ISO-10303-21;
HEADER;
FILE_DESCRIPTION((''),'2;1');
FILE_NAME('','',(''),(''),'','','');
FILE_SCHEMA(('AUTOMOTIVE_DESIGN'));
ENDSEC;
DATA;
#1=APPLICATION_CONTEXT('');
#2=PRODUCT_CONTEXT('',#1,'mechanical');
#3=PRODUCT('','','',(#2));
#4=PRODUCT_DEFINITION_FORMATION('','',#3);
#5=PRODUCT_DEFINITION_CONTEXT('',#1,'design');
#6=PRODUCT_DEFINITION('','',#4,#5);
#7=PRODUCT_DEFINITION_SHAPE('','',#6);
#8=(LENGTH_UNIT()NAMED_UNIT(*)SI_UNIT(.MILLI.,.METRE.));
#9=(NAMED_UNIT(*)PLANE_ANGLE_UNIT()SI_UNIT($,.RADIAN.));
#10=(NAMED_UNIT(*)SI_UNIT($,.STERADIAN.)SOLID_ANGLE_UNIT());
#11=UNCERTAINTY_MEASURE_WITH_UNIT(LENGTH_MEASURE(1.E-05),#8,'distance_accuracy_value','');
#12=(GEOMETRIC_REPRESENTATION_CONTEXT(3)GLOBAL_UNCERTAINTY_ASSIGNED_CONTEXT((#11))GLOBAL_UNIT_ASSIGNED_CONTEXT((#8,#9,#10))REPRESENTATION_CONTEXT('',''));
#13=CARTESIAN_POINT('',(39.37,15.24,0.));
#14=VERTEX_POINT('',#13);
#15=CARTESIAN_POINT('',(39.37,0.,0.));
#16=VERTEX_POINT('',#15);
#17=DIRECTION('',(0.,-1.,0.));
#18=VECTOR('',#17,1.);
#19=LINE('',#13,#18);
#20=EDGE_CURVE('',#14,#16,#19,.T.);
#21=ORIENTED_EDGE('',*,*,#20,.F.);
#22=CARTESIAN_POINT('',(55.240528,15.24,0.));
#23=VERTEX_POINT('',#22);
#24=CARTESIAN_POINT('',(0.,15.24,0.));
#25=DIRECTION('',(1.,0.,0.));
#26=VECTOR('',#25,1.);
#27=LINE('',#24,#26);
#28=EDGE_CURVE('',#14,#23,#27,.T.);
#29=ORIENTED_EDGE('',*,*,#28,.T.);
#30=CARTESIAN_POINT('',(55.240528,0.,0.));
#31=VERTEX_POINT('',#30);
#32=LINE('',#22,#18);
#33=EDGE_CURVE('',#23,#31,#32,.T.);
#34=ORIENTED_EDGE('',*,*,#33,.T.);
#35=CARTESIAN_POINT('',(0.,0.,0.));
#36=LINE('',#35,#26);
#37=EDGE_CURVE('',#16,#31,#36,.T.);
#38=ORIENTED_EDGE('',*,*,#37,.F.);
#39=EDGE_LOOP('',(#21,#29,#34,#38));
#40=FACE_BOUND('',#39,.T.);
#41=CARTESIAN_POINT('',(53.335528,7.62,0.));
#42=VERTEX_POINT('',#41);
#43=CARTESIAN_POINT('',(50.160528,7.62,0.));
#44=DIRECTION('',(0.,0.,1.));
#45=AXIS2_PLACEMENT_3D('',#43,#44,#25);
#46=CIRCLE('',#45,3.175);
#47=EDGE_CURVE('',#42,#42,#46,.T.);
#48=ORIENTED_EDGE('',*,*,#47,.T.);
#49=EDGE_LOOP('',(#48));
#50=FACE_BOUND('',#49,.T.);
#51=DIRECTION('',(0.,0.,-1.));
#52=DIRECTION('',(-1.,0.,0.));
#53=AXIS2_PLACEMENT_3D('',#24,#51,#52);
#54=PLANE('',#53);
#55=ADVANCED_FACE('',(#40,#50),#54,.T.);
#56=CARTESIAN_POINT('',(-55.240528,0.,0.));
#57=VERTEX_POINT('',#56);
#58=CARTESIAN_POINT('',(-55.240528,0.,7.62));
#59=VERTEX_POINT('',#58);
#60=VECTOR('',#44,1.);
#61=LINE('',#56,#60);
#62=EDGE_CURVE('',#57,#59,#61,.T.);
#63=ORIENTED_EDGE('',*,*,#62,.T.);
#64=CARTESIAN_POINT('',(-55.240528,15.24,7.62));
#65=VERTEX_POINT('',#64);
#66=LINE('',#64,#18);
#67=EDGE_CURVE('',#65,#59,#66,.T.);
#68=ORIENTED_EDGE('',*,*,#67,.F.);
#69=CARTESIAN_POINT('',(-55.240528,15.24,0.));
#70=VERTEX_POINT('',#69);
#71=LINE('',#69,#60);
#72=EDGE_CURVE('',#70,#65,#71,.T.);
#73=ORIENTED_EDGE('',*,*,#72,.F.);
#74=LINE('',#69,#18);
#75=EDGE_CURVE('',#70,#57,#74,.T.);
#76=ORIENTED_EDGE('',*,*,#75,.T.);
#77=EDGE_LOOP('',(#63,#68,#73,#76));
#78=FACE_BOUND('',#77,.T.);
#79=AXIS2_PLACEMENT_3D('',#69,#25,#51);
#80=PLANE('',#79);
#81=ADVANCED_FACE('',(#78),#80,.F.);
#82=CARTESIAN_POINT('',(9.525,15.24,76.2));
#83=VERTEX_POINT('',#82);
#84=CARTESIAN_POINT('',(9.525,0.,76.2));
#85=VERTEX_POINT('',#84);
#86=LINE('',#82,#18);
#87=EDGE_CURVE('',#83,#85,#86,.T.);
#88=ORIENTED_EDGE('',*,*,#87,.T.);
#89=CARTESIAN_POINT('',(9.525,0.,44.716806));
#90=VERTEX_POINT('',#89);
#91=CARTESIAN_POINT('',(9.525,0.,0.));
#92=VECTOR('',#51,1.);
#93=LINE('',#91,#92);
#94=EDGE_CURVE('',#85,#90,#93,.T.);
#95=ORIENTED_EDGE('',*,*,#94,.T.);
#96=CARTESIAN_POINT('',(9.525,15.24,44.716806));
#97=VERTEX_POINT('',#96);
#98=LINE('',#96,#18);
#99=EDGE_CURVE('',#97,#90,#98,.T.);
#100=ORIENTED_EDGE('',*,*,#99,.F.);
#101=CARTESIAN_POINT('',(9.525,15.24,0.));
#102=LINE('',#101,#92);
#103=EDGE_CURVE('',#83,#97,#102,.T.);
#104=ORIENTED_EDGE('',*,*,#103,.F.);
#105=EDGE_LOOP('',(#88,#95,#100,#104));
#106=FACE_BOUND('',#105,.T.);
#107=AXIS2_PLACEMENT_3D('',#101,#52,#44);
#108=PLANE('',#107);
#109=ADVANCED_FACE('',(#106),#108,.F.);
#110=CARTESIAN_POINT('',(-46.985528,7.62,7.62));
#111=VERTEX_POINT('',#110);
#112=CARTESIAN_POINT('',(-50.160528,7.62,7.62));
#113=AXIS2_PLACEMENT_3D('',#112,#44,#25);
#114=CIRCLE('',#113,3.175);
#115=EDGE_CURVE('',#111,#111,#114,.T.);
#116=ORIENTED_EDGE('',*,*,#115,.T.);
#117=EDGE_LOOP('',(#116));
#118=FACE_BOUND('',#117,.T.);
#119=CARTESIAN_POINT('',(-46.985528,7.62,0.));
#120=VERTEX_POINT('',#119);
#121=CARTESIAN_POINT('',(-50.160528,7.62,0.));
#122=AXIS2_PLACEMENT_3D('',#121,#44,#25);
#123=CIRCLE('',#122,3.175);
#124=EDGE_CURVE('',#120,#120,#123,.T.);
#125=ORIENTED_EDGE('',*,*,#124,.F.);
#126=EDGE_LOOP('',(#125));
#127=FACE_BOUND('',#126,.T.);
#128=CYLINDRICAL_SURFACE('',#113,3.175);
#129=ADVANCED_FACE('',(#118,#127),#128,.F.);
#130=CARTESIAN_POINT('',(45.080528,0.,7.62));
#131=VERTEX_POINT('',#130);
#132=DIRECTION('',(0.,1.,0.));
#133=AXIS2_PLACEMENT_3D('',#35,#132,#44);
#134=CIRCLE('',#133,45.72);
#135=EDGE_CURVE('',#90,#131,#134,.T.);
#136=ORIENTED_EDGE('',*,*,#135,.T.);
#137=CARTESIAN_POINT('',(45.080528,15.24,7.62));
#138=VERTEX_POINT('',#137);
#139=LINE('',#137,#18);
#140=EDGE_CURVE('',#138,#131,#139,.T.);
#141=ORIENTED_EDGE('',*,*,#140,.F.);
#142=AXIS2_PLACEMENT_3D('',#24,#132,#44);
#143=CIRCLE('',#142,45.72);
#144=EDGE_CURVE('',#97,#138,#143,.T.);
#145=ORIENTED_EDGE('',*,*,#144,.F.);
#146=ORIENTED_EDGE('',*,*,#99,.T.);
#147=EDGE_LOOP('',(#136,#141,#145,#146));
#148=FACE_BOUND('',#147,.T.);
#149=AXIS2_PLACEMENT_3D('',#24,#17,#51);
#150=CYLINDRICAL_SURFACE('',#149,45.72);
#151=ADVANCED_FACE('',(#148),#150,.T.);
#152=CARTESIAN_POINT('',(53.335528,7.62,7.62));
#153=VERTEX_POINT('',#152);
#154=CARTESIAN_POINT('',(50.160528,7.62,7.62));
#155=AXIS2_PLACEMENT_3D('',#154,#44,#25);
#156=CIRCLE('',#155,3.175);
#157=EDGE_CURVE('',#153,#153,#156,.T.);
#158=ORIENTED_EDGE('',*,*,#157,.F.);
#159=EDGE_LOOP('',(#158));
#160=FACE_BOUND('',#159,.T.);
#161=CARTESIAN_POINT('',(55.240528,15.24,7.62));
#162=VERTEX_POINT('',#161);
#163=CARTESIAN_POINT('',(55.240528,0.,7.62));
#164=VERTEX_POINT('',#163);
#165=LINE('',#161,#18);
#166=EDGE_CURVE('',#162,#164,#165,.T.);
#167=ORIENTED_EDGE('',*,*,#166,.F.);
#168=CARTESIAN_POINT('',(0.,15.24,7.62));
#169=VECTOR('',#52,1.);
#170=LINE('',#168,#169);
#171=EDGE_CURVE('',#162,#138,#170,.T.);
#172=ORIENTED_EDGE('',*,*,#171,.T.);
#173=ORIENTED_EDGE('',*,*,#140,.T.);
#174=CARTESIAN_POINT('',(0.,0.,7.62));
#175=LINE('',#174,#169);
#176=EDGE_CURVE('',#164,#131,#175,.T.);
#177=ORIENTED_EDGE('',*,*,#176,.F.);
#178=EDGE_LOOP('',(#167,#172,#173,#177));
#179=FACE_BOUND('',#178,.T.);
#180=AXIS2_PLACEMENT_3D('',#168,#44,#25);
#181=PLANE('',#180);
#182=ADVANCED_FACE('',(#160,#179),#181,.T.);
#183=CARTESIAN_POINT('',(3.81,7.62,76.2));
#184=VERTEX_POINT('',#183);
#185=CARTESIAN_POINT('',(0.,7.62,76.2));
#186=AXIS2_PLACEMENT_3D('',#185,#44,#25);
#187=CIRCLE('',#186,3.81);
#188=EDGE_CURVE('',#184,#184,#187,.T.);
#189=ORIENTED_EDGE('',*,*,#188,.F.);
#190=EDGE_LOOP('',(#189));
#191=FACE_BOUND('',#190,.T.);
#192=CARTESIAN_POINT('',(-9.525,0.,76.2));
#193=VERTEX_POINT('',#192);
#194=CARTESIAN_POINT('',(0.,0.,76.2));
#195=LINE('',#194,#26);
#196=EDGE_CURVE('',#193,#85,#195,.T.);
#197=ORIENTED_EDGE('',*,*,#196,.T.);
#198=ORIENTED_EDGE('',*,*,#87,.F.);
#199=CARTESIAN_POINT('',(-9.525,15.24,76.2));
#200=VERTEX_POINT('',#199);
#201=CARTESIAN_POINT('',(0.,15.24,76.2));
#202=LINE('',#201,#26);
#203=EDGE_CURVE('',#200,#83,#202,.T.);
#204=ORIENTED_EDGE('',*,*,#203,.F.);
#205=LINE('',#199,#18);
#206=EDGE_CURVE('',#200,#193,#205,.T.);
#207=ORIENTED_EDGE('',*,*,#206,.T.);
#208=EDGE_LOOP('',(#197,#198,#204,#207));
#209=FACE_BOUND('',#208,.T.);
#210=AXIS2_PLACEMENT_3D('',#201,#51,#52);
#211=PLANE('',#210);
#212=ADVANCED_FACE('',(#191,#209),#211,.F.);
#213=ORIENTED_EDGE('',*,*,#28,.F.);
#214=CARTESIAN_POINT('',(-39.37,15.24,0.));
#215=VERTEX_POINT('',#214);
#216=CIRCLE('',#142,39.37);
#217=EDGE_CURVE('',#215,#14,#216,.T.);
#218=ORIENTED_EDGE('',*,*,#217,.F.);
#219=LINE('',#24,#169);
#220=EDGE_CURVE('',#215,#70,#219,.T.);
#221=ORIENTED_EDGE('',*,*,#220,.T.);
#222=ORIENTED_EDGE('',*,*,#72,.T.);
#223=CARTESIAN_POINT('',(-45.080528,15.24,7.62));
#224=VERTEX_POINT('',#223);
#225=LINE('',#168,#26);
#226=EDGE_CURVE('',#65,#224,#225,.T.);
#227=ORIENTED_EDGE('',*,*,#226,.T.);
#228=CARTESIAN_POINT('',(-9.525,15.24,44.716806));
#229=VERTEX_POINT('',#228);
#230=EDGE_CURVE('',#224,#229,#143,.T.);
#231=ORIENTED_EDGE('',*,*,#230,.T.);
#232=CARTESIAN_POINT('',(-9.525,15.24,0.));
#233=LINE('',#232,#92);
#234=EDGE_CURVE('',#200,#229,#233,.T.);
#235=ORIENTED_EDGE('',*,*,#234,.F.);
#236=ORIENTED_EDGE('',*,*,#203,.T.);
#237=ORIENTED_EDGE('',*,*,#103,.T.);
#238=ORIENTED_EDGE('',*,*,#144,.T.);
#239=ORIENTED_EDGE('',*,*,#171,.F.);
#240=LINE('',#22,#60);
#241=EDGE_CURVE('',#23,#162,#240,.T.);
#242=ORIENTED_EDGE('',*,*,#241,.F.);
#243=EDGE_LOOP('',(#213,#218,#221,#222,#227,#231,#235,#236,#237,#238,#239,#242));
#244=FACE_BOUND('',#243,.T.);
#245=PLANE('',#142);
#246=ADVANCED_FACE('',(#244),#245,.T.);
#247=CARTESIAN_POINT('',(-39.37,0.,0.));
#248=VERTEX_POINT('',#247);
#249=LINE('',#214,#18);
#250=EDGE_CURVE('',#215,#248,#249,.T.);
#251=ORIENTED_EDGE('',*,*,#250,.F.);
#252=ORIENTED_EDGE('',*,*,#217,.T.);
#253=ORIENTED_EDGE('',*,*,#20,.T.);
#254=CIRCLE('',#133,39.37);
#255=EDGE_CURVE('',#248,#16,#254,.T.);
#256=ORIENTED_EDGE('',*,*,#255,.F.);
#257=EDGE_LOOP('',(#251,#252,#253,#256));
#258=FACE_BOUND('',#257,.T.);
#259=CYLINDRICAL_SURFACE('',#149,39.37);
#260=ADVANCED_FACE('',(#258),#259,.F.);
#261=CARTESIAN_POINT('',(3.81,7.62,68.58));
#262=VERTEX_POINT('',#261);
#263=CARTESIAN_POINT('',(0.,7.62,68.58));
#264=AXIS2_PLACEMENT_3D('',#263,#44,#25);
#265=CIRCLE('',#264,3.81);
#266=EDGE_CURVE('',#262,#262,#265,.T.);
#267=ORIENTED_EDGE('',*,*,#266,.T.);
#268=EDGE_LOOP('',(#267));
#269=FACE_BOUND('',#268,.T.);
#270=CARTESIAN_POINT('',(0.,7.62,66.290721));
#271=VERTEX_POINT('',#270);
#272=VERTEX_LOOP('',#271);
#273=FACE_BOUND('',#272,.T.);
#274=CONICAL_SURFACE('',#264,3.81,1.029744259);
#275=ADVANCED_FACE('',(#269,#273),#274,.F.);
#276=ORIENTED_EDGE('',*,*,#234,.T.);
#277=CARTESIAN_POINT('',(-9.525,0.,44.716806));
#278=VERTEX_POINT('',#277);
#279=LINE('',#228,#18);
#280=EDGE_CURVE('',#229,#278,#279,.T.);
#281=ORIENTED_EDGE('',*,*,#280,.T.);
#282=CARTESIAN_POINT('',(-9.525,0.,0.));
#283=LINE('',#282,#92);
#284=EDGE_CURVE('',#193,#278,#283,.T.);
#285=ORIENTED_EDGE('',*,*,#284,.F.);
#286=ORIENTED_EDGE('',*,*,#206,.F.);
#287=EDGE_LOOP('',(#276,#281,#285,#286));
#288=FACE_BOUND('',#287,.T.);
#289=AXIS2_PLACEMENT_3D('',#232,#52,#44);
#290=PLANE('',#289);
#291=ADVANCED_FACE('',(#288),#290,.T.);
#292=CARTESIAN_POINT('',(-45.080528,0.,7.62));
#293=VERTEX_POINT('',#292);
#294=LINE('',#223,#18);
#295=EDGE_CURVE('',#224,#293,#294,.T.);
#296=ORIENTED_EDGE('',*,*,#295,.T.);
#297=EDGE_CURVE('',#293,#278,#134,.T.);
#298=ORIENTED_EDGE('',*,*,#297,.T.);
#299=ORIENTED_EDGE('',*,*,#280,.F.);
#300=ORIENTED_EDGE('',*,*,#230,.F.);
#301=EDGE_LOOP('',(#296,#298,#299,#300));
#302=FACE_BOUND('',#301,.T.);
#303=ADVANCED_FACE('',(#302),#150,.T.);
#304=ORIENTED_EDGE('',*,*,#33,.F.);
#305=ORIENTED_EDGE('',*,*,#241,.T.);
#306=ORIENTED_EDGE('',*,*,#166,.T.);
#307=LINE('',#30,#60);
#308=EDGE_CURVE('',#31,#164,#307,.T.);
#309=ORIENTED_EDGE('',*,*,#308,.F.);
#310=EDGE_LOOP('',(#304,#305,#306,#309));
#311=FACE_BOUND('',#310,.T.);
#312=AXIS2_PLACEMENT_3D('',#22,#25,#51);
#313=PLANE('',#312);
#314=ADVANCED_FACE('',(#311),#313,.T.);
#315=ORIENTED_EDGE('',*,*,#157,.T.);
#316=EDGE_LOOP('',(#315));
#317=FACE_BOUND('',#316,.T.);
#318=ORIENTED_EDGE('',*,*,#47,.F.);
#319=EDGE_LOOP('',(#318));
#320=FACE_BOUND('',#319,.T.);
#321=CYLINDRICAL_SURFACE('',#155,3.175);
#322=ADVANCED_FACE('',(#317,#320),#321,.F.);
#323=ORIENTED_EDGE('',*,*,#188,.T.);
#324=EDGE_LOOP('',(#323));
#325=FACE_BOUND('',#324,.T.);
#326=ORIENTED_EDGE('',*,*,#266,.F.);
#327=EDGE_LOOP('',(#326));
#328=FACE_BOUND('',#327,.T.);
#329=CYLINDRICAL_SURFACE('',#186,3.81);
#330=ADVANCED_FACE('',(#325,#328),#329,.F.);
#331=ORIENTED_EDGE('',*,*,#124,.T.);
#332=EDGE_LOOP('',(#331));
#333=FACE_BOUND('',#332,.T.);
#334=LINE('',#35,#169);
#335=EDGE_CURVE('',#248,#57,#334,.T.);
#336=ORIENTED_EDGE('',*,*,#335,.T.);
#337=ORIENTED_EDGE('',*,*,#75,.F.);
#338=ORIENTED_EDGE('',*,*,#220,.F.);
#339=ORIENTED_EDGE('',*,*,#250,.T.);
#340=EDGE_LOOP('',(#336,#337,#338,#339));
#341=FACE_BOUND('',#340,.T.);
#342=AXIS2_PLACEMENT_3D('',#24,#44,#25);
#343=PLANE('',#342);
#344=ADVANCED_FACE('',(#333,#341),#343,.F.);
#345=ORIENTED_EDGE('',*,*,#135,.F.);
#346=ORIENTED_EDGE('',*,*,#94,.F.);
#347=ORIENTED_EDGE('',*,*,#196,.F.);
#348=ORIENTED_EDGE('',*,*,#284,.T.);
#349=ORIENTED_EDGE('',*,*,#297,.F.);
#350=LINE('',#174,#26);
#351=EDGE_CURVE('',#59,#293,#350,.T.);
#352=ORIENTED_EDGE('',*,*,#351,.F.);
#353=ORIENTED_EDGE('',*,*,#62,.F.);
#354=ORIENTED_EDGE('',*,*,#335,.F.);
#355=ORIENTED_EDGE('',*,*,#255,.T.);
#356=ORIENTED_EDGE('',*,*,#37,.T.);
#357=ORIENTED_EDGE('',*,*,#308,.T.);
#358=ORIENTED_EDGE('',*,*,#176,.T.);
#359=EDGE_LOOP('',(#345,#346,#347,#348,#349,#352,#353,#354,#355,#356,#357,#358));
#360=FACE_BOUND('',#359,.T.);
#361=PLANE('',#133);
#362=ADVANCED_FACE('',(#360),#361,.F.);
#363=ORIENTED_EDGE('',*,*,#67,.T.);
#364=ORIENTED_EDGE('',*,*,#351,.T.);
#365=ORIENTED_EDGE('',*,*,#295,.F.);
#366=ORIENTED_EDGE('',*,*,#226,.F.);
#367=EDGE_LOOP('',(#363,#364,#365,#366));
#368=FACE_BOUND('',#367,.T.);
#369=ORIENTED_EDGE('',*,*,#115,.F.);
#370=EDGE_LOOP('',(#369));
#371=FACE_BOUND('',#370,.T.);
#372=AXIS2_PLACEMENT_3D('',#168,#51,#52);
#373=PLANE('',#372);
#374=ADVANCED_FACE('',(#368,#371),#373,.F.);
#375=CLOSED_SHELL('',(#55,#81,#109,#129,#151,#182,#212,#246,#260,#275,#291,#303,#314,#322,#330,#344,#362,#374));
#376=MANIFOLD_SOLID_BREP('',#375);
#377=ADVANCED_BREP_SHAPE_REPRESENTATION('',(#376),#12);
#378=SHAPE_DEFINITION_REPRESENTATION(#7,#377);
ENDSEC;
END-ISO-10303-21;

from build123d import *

# Parameters (mm, degrees)
BOSS_EXTRUDE1_DEPTH              = 15.24
TAP_DRILL_FOR_M10X1_0_TAP1_D     = 7.62
TAP_DRILL_FOR_M10X1_0_TAP1_DEPTH = 7.62
TAP_DRILL_FOR_M10X1_0_TAP1_TIP   = 2.289278958
TAP_DRILL_FOR_M10X1_0_TAP3_D     = 6.35
TAP_DRILL_FOR_M10X1_0_TAP3_DEPTH = 7.62
TAP_DRILL_FOR_M10X1_0_TAP3_TIP   = 1.907732465


with BuildPart() as part:
    # Sketch1 → Boss-Extrude1 (new body)
    with BuildSketch(Plane(origin=(0, 0, 0), x_dir=(1, 0, 0), z_dir=(0, 1, 0))):
        with BuildLine():
            Line((-39.37, 0), (-55.240527947, 0))
            Line((-55.240527947, 0), (-55.240527947, -7.62))
            Line((-55.240527947, -7.62), (-45.080527947, -7.62))
            ThreePointArc((-45.080527947, -7.62), (-33.007335275, -31.635963998), (-9.525, -44.716806404))
            Line((-9.525, -44.716806404), (-9.525, -76.2))
            Line((-9.525, -76.2), (9.525, -76.2))
            Line((9.525, -76.2), (9.525, -44.716806404))
            ThreePointArc((9.525, -44.716806404), (33.007335275, -31.635963998), (45.080527947, -7.62))
            Line((45.080527947, -7.62), (55.240527947, -7.62))
            Line((55.240527947, -7.62), (55.240527947, 0))
            Line((55.240527947, 0), (39.37, 0))
            ThreePointArc((39.37, 0), (0, -39.37), (-39.37, 0))
        make_face()
    extrude(amount=BOSS_EXTRUDE1_DEPTH)

    # Tap Drill for M10x1.0 Tap1
    with Locations(Plane.XY.offset(76.2)):
        with Locations((0, 7.62)):
            Hole(TAP_DRILL_FOR_M10X1_0_TAP1_D / 2, depth=TAP_DRILL_FOR_M10X1_0_TAP1_DEPTH)
            with Locations((0, 0, -(TAP_DRILL_FOR_M10X1_0_TAP1_DEPTH + TAP_DRILL_FOR_M10X1_0_TAP1_TIP / 2))):  # 118° drill point
                Cone(0, TAP_DRILL_FOR_M10X1_0_TAP1_D / 2, TAP_DRILL_FOR_M10X1_0_TAP1_TIP, mode=Mode.SUBTRACT)

    # Tap Drill for M10x1.0 Tap3
    with Locations(Plane.XY.offset(7.62)):
        with Locations((-50.160527947, 7.62), (50.160527947, 7.62)):
            Hole(TAP_DRILL_FOR_M10X1_0_TAP3_D / 2, depth=TAP_DRILL_FOR_M10X1_0_TAP3_DEPTH)
            with Locations((0, 0, -(TAP_DRILL_FOR_M10X1_0_TAP3_DEPTH + TAP_DRILL_FOR_M10X1_0_TAP3_TIP / 2))):  # 118° drill point
                Cone(0, TAP_DRILL_FOR_M10X1_0_TAP3_D / 2, TAP_DRILL_FOR_M10X1_0_TAP3_TIP, mode=Mode.SUBTRACT)


solid = part.part
